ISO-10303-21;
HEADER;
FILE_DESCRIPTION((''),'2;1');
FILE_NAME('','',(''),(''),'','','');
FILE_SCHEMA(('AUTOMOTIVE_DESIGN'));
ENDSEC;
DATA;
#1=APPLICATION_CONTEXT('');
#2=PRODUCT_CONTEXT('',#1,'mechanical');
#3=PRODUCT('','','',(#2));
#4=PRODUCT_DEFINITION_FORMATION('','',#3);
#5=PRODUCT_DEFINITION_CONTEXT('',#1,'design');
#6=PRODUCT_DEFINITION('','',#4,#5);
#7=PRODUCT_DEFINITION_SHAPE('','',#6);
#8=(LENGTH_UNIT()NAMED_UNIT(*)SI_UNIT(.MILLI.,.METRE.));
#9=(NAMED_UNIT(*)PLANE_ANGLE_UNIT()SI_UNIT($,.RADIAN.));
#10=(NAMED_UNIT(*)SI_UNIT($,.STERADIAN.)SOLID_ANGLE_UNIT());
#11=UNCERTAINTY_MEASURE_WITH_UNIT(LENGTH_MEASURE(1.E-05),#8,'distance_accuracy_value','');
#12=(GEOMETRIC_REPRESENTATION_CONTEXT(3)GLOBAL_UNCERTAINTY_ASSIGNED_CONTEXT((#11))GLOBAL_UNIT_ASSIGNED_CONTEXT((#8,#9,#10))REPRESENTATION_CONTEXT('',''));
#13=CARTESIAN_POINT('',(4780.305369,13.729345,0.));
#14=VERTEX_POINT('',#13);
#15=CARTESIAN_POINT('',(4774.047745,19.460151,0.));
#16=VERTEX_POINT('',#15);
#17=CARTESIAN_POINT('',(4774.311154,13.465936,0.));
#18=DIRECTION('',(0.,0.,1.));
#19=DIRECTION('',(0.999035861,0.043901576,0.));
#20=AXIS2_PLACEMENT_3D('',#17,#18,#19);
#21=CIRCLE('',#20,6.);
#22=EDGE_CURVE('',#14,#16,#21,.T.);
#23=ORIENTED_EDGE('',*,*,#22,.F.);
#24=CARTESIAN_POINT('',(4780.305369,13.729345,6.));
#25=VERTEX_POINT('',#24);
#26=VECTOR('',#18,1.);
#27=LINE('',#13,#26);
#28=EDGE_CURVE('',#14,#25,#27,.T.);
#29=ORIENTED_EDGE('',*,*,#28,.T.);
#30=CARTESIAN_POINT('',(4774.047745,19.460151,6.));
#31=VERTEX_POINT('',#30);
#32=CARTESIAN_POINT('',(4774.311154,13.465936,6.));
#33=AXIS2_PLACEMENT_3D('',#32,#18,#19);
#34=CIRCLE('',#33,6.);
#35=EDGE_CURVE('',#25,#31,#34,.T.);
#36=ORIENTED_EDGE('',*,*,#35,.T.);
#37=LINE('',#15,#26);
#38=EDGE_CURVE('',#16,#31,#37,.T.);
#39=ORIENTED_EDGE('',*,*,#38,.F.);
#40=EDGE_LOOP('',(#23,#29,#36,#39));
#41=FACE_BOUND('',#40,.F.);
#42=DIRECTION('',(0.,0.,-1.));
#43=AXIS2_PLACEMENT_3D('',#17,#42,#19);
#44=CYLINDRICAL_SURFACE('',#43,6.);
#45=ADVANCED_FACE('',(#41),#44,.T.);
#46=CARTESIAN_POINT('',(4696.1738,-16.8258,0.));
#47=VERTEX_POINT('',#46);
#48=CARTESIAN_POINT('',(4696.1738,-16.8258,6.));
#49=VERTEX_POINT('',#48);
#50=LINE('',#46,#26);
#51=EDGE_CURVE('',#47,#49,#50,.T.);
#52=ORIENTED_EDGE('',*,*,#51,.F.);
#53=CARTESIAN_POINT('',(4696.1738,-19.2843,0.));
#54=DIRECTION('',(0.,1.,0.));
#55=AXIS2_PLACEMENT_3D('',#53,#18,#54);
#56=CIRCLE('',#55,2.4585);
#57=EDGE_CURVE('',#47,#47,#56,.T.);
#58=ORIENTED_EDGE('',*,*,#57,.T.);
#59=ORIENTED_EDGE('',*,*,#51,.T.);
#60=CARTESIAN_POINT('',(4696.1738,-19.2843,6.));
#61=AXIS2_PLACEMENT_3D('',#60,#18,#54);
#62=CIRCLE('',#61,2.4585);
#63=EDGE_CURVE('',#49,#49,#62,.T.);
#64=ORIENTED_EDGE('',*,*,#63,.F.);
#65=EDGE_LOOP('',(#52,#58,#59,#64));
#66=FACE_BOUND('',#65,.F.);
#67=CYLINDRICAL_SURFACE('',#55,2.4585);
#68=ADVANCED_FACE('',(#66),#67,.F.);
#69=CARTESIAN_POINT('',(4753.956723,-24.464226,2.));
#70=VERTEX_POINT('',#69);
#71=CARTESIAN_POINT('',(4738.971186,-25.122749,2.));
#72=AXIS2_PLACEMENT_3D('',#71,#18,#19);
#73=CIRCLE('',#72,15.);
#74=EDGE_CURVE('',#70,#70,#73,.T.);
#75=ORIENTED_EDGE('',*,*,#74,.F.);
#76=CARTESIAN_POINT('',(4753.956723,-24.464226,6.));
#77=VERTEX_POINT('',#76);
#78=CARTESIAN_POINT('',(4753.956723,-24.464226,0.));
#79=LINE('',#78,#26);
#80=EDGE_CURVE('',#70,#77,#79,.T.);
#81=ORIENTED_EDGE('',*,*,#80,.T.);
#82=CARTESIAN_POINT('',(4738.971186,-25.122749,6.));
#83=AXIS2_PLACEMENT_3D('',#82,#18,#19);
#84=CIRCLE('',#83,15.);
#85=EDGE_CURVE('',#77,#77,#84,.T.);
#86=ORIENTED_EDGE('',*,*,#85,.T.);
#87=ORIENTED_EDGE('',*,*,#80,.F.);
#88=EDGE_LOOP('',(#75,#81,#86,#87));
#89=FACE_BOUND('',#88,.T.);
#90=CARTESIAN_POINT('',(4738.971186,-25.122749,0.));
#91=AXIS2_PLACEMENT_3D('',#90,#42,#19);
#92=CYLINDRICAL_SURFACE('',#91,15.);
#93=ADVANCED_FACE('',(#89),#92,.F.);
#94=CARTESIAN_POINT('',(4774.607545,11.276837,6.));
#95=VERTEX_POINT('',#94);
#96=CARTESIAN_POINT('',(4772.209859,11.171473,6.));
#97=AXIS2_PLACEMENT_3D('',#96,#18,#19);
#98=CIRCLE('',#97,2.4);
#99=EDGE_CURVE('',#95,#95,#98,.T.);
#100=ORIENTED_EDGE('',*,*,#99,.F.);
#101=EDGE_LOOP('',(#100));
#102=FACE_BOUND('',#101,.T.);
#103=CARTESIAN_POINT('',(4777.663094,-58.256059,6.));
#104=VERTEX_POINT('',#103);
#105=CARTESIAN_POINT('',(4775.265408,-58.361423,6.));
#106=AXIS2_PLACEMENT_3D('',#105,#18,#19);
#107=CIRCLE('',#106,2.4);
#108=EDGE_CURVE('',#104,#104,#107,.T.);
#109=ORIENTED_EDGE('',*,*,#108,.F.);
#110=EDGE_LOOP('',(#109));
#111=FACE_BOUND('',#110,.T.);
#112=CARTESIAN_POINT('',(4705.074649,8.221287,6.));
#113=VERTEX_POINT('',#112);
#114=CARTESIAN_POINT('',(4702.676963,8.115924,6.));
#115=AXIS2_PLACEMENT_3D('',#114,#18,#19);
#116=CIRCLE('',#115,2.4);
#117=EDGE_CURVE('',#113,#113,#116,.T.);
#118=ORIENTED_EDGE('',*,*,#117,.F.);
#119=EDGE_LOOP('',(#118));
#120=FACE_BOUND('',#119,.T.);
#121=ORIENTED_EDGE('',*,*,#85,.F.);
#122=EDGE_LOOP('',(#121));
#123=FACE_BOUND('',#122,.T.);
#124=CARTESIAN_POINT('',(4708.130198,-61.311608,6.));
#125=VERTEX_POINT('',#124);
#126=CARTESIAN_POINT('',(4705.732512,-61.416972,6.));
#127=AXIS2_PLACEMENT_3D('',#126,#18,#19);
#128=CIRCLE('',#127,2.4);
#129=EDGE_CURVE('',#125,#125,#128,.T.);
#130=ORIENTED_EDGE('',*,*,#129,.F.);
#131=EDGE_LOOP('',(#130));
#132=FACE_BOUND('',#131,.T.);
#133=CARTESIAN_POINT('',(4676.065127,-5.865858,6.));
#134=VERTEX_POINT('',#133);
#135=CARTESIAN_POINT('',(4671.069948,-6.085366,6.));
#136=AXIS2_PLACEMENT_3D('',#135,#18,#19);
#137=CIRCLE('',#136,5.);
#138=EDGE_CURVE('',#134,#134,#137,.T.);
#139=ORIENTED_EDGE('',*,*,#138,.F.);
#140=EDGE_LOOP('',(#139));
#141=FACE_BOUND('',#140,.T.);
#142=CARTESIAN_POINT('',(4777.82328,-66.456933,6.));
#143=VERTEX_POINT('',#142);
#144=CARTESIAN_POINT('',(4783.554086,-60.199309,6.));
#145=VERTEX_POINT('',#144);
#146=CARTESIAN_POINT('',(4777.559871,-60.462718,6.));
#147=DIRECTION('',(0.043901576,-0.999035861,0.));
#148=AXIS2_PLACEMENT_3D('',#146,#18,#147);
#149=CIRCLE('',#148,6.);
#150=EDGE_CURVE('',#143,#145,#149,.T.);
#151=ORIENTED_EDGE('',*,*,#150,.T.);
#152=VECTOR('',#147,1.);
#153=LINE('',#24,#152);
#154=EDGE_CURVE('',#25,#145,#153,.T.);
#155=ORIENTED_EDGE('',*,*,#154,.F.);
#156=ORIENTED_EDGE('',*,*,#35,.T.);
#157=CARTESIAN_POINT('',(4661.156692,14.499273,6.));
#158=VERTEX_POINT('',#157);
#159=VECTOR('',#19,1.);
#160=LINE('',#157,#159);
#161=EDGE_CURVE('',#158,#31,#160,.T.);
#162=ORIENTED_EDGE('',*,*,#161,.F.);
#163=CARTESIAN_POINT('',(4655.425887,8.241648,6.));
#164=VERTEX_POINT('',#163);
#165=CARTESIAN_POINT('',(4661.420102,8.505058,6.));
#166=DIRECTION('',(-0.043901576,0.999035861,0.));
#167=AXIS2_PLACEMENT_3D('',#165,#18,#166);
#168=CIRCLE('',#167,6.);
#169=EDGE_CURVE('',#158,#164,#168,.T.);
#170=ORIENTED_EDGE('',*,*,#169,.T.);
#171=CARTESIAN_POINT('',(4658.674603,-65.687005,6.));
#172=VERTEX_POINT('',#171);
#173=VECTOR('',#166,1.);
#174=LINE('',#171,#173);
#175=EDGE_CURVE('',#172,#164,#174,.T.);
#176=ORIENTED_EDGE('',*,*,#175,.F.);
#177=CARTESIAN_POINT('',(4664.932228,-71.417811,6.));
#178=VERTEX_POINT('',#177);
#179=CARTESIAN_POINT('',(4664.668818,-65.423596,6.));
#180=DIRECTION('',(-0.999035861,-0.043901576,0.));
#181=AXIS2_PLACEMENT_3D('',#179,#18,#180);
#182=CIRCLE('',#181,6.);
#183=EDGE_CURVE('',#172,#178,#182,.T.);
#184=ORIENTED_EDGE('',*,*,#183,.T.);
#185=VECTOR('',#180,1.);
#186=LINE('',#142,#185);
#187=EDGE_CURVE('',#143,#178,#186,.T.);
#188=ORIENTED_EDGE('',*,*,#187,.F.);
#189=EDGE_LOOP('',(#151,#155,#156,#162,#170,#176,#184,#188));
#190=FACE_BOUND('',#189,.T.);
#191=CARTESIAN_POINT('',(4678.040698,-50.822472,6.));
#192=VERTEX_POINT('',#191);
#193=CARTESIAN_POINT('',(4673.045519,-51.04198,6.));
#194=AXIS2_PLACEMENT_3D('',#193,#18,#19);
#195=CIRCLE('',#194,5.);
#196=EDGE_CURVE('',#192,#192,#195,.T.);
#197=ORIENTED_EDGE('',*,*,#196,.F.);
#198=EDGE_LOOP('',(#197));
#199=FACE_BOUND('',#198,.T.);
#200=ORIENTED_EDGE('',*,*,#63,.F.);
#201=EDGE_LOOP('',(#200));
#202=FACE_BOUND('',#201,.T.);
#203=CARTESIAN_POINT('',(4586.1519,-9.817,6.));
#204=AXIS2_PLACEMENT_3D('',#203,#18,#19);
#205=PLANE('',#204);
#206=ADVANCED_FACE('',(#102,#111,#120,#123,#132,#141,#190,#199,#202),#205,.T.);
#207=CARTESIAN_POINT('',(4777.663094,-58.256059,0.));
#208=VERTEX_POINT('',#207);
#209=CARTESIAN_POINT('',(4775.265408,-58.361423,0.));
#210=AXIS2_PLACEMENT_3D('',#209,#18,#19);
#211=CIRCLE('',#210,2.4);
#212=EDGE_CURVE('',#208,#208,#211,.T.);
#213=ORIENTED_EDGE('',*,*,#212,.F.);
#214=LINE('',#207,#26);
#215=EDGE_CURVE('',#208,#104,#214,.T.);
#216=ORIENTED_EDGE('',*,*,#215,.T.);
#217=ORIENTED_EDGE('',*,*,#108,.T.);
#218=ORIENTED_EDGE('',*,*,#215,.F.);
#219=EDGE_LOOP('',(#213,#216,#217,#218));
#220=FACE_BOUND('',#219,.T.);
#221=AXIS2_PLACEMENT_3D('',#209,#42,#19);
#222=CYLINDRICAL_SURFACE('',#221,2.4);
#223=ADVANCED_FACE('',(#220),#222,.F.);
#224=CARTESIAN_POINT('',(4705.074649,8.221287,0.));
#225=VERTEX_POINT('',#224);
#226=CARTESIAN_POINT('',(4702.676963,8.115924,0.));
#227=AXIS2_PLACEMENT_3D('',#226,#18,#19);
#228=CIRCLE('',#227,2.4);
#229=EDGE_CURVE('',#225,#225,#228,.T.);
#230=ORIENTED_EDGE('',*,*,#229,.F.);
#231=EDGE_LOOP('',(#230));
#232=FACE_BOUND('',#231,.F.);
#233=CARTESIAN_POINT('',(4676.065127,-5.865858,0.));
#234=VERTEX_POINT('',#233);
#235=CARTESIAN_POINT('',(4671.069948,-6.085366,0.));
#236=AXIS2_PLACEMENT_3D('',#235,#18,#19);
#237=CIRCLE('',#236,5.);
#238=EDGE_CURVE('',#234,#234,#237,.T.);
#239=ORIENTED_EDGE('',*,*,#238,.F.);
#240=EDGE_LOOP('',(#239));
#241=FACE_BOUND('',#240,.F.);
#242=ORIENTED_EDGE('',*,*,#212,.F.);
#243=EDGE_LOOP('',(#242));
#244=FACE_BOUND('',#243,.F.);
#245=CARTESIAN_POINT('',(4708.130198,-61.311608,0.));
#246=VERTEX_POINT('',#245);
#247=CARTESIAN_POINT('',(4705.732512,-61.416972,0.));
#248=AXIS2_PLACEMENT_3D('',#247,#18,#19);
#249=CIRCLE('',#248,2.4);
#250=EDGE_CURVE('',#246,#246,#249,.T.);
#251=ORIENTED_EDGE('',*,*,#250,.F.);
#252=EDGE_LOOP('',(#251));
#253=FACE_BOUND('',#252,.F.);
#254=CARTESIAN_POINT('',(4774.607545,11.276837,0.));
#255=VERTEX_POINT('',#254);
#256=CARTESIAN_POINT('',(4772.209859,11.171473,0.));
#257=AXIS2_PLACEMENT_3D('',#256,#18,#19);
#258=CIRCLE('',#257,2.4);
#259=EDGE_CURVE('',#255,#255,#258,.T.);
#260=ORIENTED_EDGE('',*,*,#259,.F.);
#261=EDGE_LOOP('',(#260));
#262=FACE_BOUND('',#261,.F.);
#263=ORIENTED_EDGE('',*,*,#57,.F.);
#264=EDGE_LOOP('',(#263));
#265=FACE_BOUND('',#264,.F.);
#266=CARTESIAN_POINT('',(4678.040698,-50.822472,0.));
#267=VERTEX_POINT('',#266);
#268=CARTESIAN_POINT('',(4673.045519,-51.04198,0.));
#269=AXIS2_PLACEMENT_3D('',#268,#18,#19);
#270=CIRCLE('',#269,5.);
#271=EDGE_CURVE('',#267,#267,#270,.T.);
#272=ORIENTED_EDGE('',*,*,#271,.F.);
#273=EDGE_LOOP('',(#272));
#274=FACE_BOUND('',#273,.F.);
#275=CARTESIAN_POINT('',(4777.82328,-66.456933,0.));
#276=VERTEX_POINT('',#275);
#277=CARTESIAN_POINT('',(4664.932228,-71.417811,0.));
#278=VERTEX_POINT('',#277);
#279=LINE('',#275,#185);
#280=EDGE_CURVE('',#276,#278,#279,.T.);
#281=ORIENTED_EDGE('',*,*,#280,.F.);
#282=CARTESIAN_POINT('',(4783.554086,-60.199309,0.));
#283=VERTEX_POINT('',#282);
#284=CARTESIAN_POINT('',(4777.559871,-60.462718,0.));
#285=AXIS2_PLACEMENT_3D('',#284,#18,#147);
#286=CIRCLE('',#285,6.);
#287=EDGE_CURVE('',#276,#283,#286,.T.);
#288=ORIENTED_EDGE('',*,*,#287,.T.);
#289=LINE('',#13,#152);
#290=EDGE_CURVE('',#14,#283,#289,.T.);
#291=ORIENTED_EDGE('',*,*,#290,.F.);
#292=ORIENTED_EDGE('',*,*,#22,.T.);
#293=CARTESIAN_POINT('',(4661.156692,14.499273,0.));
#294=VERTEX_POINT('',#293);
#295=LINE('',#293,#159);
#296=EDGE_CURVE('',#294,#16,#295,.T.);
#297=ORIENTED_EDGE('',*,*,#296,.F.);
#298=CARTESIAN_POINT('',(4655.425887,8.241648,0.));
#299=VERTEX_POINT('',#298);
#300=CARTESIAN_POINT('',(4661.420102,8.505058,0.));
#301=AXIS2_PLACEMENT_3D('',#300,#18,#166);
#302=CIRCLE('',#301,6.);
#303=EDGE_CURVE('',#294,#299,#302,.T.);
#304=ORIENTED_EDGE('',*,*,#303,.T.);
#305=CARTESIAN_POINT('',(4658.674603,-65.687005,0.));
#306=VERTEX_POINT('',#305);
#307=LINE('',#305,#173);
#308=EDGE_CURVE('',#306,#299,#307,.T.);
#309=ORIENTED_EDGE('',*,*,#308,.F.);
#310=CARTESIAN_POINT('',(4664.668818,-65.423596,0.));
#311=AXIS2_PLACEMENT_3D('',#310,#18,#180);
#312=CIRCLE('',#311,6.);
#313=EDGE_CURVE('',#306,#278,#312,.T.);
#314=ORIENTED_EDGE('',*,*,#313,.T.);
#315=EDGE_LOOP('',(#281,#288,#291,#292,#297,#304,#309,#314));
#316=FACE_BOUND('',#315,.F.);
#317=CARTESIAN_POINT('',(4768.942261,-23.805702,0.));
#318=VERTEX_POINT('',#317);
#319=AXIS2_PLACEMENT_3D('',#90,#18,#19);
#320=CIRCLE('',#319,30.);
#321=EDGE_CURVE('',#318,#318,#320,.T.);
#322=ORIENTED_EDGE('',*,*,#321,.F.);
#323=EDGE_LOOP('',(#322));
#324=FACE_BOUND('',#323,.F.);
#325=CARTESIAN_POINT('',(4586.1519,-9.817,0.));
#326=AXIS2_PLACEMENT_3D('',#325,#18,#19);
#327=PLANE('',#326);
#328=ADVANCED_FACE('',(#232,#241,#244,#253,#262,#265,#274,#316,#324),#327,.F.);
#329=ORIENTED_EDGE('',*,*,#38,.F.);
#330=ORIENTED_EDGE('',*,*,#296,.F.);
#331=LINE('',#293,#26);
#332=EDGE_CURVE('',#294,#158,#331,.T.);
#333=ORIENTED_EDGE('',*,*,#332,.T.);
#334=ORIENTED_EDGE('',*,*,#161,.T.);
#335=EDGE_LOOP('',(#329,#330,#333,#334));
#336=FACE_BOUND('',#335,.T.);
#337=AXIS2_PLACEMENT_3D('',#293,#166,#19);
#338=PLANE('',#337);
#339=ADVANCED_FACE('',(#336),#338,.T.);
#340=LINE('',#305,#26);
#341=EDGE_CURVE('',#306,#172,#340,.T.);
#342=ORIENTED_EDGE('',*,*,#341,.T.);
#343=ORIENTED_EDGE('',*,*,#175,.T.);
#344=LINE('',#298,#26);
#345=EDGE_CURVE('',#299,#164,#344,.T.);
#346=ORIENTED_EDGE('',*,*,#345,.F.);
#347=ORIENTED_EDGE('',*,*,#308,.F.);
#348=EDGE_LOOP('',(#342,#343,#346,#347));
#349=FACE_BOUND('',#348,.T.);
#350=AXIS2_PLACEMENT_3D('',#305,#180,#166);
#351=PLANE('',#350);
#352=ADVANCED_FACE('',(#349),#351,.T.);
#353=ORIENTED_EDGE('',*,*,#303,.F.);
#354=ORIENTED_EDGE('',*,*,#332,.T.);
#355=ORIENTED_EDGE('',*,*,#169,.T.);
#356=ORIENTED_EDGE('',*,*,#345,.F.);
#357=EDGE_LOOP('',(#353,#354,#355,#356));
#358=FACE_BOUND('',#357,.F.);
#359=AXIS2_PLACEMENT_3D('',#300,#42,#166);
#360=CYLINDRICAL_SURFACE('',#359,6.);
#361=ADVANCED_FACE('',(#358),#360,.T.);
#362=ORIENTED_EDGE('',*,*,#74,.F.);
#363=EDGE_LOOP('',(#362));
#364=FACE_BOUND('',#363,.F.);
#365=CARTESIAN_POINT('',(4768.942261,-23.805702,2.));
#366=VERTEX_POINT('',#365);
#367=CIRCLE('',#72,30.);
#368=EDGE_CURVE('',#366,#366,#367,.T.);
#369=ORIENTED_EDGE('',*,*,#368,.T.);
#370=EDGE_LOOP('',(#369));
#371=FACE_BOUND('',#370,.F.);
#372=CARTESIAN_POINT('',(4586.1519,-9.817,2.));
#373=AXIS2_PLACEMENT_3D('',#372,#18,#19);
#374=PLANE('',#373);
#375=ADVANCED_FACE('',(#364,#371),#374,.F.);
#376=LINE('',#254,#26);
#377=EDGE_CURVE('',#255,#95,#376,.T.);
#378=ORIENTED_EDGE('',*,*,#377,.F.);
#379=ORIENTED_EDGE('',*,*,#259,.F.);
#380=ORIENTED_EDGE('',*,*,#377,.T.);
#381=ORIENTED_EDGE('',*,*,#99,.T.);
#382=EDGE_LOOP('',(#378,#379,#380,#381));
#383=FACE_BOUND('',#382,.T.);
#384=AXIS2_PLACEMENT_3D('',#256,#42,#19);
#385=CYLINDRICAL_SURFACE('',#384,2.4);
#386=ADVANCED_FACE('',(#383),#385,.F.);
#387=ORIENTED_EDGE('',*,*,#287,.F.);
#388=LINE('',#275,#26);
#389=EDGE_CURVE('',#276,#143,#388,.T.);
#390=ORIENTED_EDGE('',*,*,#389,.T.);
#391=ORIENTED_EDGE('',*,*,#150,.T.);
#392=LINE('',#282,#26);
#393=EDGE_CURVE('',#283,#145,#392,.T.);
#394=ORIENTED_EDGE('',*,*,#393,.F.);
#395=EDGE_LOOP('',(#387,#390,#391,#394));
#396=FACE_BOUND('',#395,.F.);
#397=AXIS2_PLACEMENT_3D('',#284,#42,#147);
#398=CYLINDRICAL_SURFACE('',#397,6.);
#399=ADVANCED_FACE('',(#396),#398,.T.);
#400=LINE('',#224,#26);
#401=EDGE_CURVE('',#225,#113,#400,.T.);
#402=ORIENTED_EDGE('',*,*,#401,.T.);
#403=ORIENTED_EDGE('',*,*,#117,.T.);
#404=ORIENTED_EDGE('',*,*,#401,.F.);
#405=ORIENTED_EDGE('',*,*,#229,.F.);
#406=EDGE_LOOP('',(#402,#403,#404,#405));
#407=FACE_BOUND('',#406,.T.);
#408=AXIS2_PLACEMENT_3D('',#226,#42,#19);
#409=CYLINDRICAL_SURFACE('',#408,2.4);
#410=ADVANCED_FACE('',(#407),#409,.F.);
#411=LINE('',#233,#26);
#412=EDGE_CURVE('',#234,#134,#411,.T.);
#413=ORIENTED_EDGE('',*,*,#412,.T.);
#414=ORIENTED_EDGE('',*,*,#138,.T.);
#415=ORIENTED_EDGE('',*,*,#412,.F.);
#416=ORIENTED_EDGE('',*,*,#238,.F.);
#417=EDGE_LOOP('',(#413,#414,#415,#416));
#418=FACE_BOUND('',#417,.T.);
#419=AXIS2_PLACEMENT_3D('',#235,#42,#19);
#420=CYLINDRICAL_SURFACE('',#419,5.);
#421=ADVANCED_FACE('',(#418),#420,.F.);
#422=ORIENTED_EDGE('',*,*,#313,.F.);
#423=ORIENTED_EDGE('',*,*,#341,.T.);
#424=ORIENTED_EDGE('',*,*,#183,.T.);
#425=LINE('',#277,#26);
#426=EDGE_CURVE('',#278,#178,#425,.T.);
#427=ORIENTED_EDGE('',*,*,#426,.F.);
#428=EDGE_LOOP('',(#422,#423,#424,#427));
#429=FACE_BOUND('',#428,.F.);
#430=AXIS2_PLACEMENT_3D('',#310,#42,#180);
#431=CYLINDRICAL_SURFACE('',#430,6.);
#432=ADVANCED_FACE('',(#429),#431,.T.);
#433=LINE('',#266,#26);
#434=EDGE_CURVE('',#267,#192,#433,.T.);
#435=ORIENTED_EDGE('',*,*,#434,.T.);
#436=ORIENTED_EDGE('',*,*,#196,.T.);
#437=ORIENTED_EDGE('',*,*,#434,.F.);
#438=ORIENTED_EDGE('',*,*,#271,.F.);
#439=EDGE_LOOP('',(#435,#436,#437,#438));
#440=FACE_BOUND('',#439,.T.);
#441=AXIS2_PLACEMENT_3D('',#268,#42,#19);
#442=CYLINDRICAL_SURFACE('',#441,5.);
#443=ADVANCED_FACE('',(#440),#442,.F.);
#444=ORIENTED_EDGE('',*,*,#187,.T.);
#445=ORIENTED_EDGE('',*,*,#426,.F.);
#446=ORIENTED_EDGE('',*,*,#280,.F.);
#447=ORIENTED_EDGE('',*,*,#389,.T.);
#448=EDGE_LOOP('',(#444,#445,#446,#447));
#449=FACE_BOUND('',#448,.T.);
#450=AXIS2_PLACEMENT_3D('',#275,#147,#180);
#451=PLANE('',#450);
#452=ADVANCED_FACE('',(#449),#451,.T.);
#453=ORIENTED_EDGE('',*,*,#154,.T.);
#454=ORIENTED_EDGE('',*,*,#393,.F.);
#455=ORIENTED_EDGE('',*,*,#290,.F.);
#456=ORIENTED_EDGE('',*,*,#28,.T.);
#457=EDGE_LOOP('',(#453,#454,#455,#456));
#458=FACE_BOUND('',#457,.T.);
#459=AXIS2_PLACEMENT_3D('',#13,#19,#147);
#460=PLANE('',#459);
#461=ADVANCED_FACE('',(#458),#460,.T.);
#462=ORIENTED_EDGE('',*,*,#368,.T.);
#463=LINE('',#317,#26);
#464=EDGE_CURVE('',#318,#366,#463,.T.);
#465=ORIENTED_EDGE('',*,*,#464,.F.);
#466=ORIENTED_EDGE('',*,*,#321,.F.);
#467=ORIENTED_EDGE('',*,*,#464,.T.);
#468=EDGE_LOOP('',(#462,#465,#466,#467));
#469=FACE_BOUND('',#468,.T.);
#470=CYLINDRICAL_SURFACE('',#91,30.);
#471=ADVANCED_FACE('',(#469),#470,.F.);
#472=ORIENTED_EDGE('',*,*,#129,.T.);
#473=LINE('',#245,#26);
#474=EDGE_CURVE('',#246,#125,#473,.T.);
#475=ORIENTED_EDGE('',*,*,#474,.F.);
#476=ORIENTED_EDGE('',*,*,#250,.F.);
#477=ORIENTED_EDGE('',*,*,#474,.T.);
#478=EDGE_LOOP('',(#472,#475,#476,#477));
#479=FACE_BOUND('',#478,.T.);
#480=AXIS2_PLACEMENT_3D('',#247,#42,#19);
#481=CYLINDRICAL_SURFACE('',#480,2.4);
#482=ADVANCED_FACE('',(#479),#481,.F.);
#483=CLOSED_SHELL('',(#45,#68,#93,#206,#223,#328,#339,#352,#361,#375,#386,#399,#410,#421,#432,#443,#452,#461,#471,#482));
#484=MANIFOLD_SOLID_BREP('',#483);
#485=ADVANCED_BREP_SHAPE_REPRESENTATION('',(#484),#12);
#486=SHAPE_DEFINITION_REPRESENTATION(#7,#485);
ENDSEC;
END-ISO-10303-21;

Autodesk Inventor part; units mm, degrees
ref_plane "YZ Plane" through (0, 0, 0) normal (1, 0, 0) x (0, 1, 0)
ref_plane "XZ Plane" through (0, 0, 0) normal (0, 1, 0) x (-1, 0, 0)
ref_plane "XY Plane" through (0, 0, 0) normal (0, 0, 1) x (1, 0, 0)
ref_plane "Płaszczyzna konstrukcyjna1" through (4586.1519, -9.817, 0) normal (0, 0, 1) x (0.999, 0.0439, 0)
sketch "Szkic1" plane through (4586.1519, -9.817, 0) normal (0, 0, 1) x (0.999, 0.0439, 0)
  circle A0 centre (85, 0) radius 5
  circle A1 centre (85, -45) radius 5
  line L0 (76, 21) -> (189, 21)
  line L1 (195, 15) -> (195, -59)
  line L2 (189, -65) -> (76, -65)
  line L3 (70, -59) -> (70, 15)
  arc A2 (70, -59) -> (76, -65) centre (76, -59) ccw
  arc A3 (76, 21) -> (70, 15) centre (76, 15) ccw
  arc A4 (189, -65) -> (195, -59) centre (189, -59) ccw
  arc A5 (195, 15) -> (189, 21) centre (189, 15) ccw
  circle A6 centre (152, -22) radius 30
  circle A7 centre (152, -22) radius 15
  line L4 (117.2, 12.8) -> (186.8, -56.8) construction
  line L5 (186.8, 12.8) -> (117.2, -56.8) construction
  circle A8 centre (117.2, 12.8) radius 2.4
  circle A9 centre (117.2, -56.8) radius 2.4
  circle A10 centre (186.8, -56.8) radius 2.4
  circle A11 centre (186.8, 12.8) radius 2.4
  point P0 (-4581.2965, 211.2059)
  point P1 (195, -65)
  point P2 (195, 21)
  point P3 (70, -65)
  dimension "d0" = 10
  dimension "d1" = 10
  dimension "d2" = 125
  dimension "d3" = 86
  dimension "d4" = 6
  dimension "d7" = 45
  dimension "d8" = 60
  dimension "d9" = 30
  dimension "d10" = 69.6
  dimension "d11" = 69.6
  dimension "d12" = 4.8
  dimension "d13" = 4.8
  dimension "d14" = 4.8
  dimension "d15" = 4.8
extrude "Wyciągnięcie proste1" add sketch "Szkic1" along normal blind 6 contours L0 A5 L1 A4 L2 A2 L3 A3 | A6
extrude "Wyciągnięcie proste2" cut sketch "Szkic1" along normal blind 2 contours A6
thread "Gwint1" size "M6x1" class "6H" standard "ANSI Metric M Profile" full length
thread "Gwint2" size "M6x1" class "6H" standard "ANSI Metric M Profile" full length
thread "Gwint3" size "M6x1" class "6H" standard "ANSI Metric M Profile" full length
thread "Gwint4" size "M6x1" class "6H" standard "ANSI Metric M Profile" full length
sketch "Szkic3" plane through (4586.1519, -9.817, 0) normal (0, 0, -1) x (-0.999, -0.0439, 0)
  point P0 (-109.5, -14.2897)
hole "Otwór2" at (4696.1738, -19.2843, 0) direction (0, 0, 1) diameter 4.917 end through all thread size "M6x1" class "6H" standard "ISO Metric profile"
properties part number "mocowanie silnika" material "Tytan"
